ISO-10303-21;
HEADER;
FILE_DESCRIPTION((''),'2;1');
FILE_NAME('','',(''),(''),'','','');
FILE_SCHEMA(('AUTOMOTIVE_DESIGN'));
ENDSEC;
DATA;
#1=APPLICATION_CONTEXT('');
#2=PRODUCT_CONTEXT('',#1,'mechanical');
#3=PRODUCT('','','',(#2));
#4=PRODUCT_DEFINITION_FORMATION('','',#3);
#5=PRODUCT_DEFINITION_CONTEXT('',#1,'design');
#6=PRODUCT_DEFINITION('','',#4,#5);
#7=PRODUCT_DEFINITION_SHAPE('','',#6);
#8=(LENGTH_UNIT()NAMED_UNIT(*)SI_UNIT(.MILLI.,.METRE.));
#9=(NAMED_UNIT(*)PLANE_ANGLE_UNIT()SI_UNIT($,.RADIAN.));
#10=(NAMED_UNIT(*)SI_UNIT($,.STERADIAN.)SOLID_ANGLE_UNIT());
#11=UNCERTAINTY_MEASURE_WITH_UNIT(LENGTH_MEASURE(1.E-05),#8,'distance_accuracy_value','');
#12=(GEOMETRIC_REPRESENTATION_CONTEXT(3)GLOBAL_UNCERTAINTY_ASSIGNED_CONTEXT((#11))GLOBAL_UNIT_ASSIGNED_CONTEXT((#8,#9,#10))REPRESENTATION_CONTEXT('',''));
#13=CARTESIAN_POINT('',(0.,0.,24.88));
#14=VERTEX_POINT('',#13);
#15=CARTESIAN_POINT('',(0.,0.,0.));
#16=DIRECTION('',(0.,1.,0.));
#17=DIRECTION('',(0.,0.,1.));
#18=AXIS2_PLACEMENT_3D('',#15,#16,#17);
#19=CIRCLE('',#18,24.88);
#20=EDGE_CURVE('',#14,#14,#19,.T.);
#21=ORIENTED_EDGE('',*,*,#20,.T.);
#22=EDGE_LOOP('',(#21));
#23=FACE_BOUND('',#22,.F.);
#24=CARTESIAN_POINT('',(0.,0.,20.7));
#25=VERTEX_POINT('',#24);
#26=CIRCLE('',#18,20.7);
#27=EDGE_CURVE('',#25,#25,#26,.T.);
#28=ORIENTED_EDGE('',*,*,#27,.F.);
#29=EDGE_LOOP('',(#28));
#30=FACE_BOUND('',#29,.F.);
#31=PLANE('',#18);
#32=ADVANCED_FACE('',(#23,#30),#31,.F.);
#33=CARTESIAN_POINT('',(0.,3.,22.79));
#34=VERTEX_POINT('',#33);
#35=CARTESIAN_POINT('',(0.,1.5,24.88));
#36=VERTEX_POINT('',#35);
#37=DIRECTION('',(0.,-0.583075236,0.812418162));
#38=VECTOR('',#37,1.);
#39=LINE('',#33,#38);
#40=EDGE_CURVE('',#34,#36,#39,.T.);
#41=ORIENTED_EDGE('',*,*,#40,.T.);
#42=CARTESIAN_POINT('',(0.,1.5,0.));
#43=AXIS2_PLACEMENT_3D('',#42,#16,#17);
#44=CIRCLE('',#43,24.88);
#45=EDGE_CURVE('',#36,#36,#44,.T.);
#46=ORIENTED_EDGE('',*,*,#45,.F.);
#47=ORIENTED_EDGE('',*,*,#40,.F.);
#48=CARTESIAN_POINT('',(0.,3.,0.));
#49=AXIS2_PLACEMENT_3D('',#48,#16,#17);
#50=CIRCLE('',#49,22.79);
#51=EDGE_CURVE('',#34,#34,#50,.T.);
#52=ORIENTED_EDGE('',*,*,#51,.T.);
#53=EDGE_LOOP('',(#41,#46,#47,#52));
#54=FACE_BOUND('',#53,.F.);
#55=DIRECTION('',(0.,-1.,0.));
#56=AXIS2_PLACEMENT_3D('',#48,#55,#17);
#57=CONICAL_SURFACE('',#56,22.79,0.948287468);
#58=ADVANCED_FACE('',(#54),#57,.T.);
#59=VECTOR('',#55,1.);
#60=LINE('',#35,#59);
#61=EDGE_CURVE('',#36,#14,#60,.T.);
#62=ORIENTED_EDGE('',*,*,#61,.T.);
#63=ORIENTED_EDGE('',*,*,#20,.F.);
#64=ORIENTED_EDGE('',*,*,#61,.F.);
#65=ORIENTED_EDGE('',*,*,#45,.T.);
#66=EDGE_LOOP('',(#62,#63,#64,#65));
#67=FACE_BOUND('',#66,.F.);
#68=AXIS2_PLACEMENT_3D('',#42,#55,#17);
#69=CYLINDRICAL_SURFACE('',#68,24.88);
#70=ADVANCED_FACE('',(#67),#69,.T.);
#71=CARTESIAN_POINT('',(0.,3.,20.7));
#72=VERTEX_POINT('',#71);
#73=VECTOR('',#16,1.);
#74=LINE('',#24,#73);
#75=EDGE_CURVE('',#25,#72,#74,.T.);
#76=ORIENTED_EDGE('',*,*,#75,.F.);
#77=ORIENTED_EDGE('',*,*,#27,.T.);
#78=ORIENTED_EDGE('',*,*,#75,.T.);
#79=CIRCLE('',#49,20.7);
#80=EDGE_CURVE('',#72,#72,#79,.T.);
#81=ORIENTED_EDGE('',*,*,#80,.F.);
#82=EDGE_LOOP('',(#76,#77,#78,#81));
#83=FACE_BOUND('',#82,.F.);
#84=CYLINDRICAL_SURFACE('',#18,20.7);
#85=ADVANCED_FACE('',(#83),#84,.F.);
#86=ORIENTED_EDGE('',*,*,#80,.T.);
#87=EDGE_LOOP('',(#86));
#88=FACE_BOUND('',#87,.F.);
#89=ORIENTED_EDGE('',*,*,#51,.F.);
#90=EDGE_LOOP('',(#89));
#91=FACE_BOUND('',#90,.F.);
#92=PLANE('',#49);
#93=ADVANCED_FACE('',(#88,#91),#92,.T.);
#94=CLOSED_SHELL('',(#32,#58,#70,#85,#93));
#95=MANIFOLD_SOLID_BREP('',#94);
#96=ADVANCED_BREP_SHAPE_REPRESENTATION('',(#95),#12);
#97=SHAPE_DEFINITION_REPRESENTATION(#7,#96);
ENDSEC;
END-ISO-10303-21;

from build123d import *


with BuildPart() as f2:
    # F0 (on Right) → F2 (revolve)
    with BuildSketch(Plane.YZ):
        Polygon((1.5, 24.88), (0, 24.88), (0, 20.7), (3, 20.7), (3, 22.79), align=None)
    revolve(axis=Axis((0, 7.88746, 0), (0, 1, 0)))


solid = f2.part
